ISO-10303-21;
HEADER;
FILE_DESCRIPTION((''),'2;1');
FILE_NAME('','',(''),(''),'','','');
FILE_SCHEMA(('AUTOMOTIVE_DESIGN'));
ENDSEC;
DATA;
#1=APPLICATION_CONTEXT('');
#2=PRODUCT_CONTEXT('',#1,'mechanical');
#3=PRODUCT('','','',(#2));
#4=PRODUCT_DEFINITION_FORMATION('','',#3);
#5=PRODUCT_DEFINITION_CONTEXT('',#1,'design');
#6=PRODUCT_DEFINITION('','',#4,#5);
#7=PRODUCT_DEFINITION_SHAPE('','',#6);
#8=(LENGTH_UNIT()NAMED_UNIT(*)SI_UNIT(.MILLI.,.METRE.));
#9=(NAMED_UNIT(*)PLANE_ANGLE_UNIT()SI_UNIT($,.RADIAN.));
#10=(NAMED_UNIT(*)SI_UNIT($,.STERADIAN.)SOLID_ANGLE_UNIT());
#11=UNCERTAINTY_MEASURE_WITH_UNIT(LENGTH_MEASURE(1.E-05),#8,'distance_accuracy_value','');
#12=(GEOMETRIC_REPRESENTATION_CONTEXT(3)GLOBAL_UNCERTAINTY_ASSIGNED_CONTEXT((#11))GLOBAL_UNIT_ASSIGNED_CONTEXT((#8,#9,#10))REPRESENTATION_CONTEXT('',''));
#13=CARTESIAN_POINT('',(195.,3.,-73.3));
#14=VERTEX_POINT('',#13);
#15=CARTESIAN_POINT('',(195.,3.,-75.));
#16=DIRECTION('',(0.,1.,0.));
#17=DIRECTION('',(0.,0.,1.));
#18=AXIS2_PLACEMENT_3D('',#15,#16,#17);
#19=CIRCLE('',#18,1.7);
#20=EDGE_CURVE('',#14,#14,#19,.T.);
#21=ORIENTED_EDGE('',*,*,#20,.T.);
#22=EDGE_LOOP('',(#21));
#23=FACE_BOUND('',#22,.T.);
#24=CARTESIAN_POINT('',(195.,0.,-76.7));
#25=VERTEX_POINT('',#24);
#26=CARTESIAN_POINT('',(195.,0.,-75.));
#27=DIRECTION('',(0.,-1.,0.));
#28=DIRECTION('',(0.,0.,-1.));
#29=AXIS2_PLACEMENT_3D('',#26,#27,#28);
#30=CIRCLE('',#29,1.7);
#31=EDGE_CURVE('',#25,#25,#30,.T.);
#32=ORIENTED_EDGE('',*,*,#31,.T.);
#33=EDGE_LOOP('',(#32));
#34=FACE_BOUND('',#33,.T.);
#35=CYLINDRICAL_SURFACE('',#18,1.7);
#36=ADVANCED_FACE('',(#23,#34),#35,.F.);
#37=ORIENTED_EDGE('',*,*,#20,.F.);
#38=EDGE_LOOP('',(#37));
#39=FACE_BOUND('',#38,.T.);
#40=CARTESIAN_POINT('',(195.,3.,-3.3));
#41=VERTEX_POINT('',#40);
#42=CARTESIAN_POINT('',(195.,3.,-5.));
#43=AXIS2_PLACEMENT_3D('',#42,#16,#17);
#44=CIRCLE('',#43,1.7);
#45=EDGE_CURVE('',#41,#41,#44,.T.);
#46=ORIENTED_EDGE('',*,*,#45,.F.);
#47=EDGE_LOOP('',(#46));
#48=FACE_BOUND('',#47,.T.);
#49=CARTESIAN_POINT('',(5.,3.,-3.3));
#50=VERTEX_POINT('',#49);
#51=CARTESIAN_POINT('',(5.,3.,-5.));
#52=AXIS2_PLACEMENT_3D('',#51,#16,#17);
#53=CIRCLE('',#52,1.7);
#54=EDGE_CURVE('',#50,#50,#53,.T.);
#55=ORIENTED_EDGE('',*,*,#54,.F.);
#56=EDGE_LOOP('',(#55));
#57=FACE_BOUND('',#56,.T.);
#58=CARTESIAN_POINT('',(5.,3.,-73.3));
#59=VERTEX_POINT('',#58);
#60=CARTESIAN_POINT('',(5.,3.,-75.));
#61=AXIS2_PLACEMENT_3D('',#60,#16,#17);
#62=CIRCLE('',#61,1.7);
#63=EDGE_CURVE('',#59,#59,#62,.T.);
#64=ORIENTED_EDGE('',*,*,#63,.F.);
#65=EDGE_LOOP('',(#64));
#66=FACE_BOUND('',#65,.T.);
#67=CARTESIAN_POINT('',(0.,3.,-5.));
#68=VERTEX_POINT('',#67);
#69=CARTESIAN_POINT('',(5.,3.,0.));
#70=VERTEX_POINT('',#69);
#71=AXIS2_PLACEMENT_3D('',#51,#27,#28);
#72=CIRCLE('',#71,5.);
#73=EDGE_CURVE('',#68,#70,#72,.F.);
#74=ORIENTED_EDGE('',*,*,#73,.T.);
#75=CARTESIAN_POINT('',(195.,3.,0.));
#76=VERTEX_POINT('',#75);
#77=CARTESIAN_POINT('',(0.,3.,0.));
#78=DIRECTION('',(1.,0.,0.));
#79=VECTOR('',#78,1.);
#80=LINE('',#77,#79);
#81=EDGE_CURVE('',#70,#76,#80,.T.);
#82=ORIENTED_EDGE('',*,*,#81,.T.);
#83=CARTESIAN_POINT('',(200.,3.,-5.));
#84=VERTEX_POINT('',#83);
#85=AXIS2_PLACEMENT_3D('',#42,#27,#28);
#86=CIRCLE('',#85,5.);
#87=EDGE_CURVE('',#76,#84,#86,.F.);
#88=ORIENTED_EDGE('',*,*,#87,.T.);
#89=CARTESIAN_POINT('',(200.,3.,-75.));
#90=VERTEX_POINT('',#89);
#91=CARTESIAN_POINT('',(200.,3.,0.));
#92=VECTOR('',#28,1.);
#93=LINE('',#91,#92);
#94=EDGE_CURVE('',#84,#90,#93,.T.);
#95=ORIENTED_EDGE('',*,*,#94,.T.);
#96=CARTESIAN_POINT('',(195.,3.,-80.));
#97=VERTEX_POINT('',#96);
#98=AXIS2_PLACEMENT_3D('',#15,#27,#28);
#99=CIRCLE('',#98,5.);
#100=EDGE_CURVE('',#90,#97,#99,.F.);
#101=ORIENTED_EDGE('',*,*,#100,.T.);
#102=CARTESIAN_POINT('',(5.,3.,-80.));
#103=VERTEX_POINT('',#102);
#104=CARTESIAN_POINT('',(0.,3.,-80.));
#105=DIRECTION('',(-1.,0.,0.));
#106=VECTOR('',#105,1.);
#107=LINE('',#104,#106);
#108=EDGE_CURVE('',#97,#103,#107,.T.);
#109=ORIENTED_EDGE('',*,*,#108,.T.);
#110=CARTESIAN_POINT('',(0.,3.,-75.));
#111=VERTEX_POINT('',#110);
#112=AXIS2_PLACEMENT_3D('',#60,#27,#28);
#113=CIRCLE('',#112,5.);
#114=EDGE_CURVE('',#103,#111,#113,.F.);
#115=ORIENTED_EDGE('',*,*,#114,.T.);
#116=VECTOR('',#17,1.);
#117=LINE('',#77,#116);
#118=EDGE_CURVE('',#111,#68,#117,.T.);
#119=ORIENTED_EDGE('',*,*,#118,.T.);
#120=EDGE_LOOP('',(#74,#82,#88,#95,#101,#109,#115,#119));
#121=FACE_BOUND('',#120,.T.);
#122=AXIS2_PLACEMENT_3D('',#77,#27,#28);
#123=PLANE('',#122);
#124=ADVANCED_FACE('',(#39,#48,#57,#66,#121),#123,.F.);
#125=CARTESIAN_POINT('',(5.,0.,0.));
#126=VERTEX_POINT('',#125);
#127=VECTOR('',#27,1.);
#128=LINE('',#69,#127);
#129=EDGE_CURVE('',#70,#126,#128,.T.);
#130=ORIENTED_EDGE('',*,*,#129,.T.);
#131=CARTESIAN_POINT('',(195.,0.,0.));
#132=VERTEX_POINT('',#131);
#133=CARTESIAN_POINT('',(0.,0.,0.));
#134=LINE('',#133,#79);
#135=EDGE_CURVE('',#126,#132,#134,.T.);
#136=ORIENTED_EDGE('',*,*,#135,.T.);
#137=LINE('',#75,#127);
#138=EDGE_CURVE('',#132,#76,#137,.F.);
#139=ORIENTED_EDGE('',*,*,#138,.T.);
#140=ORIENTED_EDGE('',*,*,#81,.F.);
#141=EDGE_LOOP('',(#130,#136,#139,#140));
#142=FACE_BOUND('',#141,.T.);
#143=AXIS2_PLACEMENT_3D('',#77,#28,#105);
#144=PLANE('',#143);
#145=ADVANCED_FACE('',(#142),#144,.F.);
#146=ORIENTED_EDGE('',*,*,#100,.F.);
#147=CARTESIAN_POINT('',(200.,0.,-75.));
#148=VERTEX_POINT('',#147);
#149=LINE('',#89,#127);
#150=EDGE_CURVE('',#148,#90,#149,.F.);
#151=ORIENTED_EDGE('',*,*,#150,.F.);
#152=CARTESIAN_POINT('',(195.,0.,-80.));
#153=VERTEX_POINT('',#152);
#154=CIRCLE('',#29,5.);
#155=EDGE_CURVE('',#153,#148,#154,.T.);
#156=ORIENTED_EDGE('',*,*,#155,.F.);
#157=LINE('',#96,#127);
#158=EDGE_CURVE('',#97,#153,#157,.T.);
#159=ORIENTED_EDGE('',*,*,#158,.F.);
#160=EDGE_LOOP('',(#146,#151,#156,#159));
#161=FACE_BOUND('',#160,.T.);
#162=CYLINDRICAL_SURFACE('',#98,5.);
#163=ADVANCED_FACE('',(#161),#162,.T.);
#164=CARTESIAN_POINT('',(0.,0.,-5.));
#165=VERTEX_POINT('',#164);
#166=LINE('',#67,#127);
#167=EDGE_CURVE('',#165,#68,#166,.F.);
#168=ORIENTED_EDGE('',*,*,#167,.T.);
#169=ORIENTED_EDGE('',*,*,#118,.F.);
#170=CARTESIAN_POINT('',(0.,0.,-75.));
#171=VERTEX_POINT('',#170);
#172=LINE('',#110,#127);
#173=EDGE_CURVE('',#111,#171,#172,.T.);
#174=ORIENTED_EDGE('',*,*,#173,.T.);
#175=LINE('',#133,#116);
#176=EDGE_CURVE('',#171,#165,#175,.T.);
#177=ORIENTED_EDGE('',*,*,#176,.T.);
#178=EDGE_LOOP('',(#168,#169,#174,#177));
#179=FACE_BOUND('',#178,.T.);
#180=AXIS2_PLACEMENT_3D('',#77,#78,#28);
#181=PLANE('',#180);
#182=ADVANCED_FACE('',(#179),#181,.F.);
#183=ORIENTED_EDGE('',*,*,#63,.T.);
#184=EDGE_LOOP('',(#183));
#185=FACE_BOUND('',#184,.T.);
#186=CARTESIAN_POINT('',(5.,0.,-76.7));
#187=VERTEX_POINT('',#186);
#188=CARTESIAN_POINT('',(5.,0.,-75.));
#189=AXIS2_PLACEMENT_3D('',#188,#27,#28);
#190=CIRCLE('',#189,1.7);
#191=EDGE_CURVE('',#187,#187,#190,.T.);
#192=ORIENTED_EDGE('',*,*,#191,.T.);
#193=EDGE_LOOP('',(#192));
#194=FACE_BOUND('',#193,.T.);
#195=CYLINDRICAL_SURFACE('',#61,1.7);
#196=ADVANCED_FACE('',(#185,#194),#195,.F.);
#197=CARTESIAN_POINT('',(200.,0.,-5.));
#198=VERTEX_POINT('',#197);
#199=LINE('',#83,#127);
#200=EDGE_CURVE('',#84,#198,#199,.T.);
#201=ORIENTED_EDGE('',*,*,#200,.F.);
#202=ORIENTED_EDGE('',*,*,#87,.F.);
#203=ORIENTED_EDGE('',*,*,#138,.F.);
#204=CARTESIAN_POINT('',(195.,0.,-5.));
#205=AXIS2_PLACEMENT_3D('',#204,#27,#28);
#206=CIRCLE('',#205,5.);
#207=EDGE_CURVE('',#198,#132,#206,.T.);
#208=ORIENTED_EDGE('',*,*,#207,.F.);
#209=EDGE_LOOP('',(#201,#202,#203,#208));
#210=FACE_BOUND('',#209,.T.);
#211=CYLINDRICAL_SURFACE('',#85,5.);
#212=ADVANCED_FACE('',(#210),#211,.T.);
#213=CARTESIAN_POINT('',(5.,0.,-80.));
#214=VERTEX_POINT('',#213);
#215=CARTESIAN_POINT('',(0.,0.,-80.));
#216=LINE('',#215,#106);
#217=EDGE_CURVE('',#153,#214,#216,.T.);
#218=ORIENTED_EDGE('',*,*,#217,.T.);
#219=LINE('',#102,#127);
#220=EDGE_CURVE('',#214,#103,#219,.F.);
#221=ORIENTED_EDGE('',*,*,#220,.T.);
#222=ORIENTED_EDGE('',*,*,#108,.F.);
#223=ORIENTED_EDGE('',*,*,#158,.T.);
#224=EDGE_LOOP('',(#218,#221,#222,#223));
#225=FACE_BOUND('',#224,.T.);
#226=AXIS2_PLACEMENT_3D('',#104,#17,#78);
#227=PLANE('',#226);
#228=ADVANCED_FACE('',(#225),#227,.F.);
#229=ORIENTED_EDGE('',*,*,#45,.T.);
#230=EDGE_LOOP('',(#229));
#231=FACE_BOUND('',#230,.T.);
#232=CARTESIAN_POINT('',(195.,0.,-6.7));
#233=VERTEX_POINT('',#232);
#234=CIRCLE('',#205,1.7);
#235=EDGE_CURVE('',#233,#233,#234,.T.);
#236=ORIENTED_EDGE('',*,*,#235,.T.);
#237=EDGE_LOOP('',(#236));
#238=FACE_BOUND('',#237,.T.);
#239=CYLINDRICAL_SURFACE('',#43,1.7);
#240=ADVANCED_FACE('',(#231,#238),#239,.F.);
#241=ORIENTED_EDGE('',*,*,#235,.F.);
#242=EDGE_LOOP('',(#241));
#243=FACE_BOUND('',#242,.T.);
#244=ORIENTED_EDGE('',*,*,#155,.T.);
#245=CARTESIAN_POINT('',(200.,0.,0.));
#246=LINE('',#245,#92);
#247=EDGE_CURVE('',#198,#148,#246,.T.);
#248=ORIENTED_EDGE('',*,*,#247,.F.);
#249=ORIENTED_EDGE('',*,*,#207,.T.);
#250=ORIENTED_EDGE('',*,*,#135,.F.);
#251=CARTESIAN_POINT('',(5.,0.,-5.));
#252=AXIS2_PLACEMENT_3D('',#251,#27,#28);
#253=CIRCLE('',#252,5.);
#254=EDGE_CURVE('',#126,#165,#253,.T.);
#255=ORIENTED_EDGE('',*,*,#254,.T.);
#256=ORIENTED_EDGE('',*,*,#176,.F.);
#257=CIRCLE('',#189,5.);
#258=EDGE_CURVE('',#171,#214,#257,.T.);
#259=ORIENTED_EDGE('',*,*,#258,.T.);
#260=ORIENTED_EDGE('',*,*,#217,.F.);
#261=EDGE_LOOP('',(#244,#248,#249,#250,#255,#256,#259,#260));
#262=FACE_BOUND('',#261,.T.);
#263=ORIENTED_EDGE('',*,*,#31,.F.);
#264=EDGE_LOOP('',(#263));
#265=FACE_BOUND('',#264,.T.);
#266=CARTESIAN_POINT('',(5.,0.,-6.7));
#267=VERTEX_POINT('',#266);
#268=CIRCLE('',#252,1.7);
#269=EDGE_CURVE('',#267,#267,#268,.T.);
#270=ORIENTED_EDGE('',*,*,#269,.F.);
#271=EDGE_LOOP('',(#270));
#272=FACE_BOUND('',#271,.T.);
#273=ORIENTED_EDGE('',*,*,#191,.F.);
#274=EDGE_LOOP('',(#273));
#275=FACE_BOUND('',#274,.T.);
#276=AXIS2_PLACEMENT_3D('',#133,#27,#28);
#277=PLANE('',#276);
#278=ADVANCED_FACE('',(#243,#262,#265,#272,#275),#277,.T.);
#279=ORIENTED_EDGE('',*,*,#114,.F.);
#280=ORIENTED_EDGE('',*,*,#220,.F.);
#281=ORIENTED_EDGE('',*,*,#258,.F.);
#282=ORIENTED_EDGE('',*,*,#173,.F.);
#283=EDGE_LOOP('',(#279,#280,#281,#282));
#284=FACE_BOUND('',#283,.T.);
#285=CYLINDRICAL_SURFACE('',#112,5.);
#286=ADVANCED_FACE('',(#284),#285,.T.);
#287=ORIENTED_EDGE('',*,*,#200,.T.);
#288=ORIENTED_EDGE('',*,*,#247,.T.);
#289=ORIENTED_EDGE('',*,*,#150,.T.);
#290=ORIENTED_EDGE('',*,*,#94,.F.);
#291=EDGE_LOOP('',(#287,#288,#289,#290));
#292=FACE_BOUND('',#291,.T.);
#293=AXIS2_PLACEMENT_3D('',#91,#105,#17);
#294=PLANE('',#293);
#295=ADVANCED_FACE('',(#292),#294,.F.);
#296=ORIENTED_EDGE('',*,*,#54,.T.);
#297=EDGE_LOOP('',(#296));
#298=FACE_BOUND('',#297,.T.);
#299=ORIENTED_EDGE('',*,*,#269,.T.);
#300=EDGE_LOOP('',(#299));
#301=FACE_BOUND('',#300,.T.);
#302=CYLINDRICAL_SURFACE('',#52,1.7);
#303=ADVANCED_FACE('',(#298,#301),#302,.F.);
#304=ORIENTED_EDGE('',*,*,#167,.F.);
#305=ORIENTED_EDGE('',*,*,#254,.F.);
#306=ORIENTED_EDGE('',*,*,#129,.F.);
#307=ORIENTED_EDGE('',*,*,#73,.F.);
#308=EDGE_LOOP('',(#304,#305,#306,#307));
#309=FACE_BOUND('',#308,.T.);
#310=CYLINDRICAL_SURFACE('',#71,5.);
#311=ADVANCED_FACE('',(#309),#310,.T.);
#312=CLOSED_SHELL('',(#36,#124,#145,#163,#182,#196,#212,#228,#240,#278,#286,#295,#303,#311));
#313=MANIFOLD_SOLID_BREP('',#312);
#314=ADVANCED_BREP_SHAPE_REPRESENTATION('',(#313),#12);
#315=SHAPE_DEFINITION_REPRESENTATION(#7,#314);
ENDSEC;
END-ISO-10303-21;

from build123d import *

# Parameters (mm, degrees)
ESQUISSE1_W             = 200
ESQUISSE1_H             = 80
BOSS_EXTRU_1_DEPTH      = 3
CONG_1_R                = 5
ESQUISSE2_R             = 1
ENL_V_MAT_EXTRU_1_DEPTH = 216.427481998
D_GAGEMENT_M31_D        = 3.4
D_GAGEMENT_M31_DEPTH    = 10
D_GAGEMENT_M31_TIP      = 1.021463052


with BuildPart() as part:
    # Esquisse1 → Boss.-Extru.1 (new body)
    with BuildSketch(Plane(origin=(0, 0, 0), x_dir=(1, 0, 0), z_dir=(0, 1, 0))):
        with Locations((100, 40)):
            Rectangle(ESQUISSE1_W, ESQUISSE1_H)
    extrude(amount=BOSS_EXTRU_1_DEPTH)

    # Congé1
    cong_1_edges = [part.edges().sort_by_distance(p)[0] for p in [
        (0, 1.5, -80),
        (200, 1.5, -80),
        (200, 1.5, 0),
        (0, 1.5, 0),
    ]]
    fillet(cong_1_edges, radius=CONG_1_R)

    # Esquisse2 → Enlèv. mat.-Extru.1 (cut, through all)
    with BuildSketch(Plane(origin=(0, 3, 0), x_dir=(1, 0, 0), z_dir=(0, 1, 0))):
        with Locations(Location((5, 75, 0), (0, 0, 270))):
            Circle(ESQUISSE2_R)
        with Locations(Location((195, 75, 0), (0, 0, 270))):
            Circle(ESQUISSE2_R)
        with Locations(Location((195, 5, 0), (0, 0, 270))):
            Circle(ESQUISSE2_R)
        with Locations(Location((5, 5, 0), (0, 0, 270))):
            Circle(ESQUISSE2_R)
    extrude(amount=-ENL_V_MAT_EXTRU_1_DEPTH, mode=Mode.SUBTRACT)

    # Dégagement M31
    with Locations(Plane(origin=(0, 3, 0), x_dir=(1, 0, 0), z_dir=(0, 1, 0))):
        with Locations((195, 5), (5, 5), (5, 75), (195, 75)):
            Hole(D_GAGEMENT_M31_D / 2, depth=D_GAGEMENT_M31_DEPTH)
            with Locations((0, 0, -(D_GAGEMENT_M31_DEPTH + D_GAGEMENT_M31_TIP / 2))):  # 118° drill point
                Cone(0, D_GAGEMENT_M31_D / 2, D_GAGEMENT_M31_TIP, mode=Mode.SUBTRACT)


solid = part.part
